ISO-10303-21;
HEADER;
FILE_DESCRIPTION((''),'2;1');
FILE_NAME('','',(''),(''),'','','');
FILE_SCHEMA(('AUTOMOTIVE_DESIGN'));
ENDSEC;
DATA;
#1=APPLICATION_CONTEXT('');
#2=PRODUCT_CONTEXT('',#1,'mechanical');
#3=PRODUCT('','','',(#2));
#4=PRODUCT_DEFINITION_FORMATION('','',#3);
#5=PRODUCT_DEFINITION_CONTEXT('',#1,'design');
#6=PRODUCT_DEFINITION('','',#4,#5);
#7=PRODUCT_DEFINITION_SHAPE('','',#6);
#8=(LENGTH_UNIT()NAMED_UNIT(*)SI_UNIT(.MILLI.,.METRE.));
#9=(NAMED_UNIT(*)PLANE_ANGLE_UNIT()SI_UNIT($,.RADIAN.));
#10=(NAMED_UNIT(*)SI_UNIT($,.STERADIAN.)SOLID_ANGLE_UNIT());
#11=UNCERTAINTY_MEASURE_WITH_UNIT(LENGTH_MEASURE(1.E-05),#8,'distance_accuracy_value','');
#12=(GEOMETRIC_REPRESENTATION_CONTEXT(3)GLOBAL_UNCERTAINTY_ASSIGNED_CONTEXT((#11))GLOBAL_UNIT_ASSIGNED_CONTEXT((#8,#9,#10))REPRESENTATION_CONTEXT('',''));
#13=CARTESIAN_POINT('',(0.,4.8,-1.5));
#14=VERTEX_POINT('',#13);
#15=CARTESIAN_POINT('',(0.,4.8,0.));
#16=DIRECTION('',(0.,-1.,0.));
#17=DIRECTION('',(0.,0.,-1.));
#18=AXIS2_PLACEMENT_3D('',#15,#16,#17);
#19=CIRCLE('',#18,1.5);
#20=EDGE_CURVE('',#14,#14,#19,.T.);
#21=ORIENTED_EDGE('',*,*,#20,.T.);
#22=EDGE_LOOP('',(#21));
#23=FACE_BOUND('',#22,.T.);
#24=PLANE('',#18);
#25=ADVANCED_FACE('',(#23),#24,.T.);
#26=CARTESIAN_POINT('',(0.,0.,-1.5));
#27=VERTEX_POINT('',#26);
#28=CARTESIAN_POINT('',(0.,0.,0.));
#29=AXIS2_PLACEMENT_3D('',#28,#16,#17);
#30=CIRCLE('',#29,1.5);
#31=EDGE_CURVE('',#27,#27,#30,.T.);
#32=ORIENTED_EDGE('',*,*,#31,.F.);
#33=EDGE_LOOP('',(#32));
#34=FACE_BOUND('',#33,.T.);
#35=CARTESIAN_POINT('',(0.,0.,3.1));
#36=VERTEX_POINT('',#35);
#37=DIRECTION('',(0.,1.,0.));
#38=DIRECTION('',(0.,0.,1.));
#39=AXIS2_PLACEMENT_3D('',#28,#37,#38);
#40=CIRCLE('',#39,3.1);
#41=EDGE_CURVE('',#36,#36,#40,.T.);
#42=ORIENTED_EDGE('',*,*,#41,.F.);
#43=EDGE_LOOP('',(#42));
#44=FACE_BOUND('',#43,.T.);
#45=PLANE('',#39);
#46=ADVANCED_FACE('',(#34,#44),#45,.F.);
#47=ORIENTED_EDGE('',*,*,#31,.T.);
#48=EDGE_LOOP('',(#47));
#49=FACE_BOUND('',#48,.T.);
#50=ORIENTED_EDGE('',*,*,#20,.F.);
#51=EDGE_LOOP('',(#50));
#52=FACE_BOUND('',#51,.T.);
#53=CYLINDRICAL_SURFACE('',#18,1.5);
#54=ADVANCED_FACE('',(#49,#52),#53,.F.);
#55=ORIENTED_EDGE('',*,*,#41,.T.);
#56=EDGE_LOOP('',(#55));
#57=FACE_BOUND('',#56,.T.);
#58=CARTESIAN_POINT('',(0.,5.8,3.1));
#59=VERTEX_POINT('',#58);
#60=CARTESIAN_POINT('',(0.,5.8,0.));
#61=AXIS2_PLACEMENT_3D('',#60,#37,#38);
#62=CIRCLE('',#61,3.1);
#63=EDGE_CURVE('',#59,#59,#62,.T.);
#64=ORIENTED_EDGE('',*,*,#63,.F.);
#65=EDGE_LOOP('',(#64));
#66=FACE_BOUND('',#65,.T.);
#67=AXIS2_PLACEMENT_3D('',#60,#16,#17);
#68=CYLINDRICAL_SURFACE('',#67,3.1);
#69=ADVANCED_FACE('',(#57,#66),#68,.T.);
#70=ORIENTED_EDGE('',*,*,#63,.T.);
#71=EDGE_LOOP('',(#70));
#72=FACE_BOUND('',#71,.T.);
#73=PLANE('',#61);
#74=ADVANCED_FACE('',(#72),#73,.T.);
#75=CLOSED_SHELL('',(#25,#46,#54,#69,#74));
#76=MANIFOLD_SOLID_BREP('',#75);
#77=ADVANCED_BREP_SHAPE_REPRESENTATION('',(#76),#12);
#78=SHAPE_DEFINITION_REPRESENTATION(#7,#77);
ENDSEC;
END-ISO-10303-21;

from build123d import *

# Parameters (mm, degrees)
SKETCH_1_R          = 3.1
EXTRUDE_1_DEPTH     = 5.8
SKETCH_2_R          = 1.5
CUT_EXTRUDE_1_DEPTH = 4.8


with BuildPart() as part:
    # 草图1 → 凸台-拉伸1 (new body)
    with BuildSketch(Plane(origin=(0, 0, 0), x_dir=(1, 0, 0), z_dir=(0, 1, 0))):
        with Locations(Location((0, 0, 0), (0, 0, 270))):
            Circle(SKETCH_1_R)
    extrude(amount=EXTRUDE_1_DEPTH)

    # 草图2 → 切除-拉伸1 (cut)
    with BuildSketch(Plane.XZ):
        with Locations(Location((0, 0, 0), (0, 0, 270))):
            Circle(SKETCH_2_R)
    extrude(amount=-CUT_EXTRUDE_1_DEPTH, mode=Mode.SUBTRACT)


solid = part.part
